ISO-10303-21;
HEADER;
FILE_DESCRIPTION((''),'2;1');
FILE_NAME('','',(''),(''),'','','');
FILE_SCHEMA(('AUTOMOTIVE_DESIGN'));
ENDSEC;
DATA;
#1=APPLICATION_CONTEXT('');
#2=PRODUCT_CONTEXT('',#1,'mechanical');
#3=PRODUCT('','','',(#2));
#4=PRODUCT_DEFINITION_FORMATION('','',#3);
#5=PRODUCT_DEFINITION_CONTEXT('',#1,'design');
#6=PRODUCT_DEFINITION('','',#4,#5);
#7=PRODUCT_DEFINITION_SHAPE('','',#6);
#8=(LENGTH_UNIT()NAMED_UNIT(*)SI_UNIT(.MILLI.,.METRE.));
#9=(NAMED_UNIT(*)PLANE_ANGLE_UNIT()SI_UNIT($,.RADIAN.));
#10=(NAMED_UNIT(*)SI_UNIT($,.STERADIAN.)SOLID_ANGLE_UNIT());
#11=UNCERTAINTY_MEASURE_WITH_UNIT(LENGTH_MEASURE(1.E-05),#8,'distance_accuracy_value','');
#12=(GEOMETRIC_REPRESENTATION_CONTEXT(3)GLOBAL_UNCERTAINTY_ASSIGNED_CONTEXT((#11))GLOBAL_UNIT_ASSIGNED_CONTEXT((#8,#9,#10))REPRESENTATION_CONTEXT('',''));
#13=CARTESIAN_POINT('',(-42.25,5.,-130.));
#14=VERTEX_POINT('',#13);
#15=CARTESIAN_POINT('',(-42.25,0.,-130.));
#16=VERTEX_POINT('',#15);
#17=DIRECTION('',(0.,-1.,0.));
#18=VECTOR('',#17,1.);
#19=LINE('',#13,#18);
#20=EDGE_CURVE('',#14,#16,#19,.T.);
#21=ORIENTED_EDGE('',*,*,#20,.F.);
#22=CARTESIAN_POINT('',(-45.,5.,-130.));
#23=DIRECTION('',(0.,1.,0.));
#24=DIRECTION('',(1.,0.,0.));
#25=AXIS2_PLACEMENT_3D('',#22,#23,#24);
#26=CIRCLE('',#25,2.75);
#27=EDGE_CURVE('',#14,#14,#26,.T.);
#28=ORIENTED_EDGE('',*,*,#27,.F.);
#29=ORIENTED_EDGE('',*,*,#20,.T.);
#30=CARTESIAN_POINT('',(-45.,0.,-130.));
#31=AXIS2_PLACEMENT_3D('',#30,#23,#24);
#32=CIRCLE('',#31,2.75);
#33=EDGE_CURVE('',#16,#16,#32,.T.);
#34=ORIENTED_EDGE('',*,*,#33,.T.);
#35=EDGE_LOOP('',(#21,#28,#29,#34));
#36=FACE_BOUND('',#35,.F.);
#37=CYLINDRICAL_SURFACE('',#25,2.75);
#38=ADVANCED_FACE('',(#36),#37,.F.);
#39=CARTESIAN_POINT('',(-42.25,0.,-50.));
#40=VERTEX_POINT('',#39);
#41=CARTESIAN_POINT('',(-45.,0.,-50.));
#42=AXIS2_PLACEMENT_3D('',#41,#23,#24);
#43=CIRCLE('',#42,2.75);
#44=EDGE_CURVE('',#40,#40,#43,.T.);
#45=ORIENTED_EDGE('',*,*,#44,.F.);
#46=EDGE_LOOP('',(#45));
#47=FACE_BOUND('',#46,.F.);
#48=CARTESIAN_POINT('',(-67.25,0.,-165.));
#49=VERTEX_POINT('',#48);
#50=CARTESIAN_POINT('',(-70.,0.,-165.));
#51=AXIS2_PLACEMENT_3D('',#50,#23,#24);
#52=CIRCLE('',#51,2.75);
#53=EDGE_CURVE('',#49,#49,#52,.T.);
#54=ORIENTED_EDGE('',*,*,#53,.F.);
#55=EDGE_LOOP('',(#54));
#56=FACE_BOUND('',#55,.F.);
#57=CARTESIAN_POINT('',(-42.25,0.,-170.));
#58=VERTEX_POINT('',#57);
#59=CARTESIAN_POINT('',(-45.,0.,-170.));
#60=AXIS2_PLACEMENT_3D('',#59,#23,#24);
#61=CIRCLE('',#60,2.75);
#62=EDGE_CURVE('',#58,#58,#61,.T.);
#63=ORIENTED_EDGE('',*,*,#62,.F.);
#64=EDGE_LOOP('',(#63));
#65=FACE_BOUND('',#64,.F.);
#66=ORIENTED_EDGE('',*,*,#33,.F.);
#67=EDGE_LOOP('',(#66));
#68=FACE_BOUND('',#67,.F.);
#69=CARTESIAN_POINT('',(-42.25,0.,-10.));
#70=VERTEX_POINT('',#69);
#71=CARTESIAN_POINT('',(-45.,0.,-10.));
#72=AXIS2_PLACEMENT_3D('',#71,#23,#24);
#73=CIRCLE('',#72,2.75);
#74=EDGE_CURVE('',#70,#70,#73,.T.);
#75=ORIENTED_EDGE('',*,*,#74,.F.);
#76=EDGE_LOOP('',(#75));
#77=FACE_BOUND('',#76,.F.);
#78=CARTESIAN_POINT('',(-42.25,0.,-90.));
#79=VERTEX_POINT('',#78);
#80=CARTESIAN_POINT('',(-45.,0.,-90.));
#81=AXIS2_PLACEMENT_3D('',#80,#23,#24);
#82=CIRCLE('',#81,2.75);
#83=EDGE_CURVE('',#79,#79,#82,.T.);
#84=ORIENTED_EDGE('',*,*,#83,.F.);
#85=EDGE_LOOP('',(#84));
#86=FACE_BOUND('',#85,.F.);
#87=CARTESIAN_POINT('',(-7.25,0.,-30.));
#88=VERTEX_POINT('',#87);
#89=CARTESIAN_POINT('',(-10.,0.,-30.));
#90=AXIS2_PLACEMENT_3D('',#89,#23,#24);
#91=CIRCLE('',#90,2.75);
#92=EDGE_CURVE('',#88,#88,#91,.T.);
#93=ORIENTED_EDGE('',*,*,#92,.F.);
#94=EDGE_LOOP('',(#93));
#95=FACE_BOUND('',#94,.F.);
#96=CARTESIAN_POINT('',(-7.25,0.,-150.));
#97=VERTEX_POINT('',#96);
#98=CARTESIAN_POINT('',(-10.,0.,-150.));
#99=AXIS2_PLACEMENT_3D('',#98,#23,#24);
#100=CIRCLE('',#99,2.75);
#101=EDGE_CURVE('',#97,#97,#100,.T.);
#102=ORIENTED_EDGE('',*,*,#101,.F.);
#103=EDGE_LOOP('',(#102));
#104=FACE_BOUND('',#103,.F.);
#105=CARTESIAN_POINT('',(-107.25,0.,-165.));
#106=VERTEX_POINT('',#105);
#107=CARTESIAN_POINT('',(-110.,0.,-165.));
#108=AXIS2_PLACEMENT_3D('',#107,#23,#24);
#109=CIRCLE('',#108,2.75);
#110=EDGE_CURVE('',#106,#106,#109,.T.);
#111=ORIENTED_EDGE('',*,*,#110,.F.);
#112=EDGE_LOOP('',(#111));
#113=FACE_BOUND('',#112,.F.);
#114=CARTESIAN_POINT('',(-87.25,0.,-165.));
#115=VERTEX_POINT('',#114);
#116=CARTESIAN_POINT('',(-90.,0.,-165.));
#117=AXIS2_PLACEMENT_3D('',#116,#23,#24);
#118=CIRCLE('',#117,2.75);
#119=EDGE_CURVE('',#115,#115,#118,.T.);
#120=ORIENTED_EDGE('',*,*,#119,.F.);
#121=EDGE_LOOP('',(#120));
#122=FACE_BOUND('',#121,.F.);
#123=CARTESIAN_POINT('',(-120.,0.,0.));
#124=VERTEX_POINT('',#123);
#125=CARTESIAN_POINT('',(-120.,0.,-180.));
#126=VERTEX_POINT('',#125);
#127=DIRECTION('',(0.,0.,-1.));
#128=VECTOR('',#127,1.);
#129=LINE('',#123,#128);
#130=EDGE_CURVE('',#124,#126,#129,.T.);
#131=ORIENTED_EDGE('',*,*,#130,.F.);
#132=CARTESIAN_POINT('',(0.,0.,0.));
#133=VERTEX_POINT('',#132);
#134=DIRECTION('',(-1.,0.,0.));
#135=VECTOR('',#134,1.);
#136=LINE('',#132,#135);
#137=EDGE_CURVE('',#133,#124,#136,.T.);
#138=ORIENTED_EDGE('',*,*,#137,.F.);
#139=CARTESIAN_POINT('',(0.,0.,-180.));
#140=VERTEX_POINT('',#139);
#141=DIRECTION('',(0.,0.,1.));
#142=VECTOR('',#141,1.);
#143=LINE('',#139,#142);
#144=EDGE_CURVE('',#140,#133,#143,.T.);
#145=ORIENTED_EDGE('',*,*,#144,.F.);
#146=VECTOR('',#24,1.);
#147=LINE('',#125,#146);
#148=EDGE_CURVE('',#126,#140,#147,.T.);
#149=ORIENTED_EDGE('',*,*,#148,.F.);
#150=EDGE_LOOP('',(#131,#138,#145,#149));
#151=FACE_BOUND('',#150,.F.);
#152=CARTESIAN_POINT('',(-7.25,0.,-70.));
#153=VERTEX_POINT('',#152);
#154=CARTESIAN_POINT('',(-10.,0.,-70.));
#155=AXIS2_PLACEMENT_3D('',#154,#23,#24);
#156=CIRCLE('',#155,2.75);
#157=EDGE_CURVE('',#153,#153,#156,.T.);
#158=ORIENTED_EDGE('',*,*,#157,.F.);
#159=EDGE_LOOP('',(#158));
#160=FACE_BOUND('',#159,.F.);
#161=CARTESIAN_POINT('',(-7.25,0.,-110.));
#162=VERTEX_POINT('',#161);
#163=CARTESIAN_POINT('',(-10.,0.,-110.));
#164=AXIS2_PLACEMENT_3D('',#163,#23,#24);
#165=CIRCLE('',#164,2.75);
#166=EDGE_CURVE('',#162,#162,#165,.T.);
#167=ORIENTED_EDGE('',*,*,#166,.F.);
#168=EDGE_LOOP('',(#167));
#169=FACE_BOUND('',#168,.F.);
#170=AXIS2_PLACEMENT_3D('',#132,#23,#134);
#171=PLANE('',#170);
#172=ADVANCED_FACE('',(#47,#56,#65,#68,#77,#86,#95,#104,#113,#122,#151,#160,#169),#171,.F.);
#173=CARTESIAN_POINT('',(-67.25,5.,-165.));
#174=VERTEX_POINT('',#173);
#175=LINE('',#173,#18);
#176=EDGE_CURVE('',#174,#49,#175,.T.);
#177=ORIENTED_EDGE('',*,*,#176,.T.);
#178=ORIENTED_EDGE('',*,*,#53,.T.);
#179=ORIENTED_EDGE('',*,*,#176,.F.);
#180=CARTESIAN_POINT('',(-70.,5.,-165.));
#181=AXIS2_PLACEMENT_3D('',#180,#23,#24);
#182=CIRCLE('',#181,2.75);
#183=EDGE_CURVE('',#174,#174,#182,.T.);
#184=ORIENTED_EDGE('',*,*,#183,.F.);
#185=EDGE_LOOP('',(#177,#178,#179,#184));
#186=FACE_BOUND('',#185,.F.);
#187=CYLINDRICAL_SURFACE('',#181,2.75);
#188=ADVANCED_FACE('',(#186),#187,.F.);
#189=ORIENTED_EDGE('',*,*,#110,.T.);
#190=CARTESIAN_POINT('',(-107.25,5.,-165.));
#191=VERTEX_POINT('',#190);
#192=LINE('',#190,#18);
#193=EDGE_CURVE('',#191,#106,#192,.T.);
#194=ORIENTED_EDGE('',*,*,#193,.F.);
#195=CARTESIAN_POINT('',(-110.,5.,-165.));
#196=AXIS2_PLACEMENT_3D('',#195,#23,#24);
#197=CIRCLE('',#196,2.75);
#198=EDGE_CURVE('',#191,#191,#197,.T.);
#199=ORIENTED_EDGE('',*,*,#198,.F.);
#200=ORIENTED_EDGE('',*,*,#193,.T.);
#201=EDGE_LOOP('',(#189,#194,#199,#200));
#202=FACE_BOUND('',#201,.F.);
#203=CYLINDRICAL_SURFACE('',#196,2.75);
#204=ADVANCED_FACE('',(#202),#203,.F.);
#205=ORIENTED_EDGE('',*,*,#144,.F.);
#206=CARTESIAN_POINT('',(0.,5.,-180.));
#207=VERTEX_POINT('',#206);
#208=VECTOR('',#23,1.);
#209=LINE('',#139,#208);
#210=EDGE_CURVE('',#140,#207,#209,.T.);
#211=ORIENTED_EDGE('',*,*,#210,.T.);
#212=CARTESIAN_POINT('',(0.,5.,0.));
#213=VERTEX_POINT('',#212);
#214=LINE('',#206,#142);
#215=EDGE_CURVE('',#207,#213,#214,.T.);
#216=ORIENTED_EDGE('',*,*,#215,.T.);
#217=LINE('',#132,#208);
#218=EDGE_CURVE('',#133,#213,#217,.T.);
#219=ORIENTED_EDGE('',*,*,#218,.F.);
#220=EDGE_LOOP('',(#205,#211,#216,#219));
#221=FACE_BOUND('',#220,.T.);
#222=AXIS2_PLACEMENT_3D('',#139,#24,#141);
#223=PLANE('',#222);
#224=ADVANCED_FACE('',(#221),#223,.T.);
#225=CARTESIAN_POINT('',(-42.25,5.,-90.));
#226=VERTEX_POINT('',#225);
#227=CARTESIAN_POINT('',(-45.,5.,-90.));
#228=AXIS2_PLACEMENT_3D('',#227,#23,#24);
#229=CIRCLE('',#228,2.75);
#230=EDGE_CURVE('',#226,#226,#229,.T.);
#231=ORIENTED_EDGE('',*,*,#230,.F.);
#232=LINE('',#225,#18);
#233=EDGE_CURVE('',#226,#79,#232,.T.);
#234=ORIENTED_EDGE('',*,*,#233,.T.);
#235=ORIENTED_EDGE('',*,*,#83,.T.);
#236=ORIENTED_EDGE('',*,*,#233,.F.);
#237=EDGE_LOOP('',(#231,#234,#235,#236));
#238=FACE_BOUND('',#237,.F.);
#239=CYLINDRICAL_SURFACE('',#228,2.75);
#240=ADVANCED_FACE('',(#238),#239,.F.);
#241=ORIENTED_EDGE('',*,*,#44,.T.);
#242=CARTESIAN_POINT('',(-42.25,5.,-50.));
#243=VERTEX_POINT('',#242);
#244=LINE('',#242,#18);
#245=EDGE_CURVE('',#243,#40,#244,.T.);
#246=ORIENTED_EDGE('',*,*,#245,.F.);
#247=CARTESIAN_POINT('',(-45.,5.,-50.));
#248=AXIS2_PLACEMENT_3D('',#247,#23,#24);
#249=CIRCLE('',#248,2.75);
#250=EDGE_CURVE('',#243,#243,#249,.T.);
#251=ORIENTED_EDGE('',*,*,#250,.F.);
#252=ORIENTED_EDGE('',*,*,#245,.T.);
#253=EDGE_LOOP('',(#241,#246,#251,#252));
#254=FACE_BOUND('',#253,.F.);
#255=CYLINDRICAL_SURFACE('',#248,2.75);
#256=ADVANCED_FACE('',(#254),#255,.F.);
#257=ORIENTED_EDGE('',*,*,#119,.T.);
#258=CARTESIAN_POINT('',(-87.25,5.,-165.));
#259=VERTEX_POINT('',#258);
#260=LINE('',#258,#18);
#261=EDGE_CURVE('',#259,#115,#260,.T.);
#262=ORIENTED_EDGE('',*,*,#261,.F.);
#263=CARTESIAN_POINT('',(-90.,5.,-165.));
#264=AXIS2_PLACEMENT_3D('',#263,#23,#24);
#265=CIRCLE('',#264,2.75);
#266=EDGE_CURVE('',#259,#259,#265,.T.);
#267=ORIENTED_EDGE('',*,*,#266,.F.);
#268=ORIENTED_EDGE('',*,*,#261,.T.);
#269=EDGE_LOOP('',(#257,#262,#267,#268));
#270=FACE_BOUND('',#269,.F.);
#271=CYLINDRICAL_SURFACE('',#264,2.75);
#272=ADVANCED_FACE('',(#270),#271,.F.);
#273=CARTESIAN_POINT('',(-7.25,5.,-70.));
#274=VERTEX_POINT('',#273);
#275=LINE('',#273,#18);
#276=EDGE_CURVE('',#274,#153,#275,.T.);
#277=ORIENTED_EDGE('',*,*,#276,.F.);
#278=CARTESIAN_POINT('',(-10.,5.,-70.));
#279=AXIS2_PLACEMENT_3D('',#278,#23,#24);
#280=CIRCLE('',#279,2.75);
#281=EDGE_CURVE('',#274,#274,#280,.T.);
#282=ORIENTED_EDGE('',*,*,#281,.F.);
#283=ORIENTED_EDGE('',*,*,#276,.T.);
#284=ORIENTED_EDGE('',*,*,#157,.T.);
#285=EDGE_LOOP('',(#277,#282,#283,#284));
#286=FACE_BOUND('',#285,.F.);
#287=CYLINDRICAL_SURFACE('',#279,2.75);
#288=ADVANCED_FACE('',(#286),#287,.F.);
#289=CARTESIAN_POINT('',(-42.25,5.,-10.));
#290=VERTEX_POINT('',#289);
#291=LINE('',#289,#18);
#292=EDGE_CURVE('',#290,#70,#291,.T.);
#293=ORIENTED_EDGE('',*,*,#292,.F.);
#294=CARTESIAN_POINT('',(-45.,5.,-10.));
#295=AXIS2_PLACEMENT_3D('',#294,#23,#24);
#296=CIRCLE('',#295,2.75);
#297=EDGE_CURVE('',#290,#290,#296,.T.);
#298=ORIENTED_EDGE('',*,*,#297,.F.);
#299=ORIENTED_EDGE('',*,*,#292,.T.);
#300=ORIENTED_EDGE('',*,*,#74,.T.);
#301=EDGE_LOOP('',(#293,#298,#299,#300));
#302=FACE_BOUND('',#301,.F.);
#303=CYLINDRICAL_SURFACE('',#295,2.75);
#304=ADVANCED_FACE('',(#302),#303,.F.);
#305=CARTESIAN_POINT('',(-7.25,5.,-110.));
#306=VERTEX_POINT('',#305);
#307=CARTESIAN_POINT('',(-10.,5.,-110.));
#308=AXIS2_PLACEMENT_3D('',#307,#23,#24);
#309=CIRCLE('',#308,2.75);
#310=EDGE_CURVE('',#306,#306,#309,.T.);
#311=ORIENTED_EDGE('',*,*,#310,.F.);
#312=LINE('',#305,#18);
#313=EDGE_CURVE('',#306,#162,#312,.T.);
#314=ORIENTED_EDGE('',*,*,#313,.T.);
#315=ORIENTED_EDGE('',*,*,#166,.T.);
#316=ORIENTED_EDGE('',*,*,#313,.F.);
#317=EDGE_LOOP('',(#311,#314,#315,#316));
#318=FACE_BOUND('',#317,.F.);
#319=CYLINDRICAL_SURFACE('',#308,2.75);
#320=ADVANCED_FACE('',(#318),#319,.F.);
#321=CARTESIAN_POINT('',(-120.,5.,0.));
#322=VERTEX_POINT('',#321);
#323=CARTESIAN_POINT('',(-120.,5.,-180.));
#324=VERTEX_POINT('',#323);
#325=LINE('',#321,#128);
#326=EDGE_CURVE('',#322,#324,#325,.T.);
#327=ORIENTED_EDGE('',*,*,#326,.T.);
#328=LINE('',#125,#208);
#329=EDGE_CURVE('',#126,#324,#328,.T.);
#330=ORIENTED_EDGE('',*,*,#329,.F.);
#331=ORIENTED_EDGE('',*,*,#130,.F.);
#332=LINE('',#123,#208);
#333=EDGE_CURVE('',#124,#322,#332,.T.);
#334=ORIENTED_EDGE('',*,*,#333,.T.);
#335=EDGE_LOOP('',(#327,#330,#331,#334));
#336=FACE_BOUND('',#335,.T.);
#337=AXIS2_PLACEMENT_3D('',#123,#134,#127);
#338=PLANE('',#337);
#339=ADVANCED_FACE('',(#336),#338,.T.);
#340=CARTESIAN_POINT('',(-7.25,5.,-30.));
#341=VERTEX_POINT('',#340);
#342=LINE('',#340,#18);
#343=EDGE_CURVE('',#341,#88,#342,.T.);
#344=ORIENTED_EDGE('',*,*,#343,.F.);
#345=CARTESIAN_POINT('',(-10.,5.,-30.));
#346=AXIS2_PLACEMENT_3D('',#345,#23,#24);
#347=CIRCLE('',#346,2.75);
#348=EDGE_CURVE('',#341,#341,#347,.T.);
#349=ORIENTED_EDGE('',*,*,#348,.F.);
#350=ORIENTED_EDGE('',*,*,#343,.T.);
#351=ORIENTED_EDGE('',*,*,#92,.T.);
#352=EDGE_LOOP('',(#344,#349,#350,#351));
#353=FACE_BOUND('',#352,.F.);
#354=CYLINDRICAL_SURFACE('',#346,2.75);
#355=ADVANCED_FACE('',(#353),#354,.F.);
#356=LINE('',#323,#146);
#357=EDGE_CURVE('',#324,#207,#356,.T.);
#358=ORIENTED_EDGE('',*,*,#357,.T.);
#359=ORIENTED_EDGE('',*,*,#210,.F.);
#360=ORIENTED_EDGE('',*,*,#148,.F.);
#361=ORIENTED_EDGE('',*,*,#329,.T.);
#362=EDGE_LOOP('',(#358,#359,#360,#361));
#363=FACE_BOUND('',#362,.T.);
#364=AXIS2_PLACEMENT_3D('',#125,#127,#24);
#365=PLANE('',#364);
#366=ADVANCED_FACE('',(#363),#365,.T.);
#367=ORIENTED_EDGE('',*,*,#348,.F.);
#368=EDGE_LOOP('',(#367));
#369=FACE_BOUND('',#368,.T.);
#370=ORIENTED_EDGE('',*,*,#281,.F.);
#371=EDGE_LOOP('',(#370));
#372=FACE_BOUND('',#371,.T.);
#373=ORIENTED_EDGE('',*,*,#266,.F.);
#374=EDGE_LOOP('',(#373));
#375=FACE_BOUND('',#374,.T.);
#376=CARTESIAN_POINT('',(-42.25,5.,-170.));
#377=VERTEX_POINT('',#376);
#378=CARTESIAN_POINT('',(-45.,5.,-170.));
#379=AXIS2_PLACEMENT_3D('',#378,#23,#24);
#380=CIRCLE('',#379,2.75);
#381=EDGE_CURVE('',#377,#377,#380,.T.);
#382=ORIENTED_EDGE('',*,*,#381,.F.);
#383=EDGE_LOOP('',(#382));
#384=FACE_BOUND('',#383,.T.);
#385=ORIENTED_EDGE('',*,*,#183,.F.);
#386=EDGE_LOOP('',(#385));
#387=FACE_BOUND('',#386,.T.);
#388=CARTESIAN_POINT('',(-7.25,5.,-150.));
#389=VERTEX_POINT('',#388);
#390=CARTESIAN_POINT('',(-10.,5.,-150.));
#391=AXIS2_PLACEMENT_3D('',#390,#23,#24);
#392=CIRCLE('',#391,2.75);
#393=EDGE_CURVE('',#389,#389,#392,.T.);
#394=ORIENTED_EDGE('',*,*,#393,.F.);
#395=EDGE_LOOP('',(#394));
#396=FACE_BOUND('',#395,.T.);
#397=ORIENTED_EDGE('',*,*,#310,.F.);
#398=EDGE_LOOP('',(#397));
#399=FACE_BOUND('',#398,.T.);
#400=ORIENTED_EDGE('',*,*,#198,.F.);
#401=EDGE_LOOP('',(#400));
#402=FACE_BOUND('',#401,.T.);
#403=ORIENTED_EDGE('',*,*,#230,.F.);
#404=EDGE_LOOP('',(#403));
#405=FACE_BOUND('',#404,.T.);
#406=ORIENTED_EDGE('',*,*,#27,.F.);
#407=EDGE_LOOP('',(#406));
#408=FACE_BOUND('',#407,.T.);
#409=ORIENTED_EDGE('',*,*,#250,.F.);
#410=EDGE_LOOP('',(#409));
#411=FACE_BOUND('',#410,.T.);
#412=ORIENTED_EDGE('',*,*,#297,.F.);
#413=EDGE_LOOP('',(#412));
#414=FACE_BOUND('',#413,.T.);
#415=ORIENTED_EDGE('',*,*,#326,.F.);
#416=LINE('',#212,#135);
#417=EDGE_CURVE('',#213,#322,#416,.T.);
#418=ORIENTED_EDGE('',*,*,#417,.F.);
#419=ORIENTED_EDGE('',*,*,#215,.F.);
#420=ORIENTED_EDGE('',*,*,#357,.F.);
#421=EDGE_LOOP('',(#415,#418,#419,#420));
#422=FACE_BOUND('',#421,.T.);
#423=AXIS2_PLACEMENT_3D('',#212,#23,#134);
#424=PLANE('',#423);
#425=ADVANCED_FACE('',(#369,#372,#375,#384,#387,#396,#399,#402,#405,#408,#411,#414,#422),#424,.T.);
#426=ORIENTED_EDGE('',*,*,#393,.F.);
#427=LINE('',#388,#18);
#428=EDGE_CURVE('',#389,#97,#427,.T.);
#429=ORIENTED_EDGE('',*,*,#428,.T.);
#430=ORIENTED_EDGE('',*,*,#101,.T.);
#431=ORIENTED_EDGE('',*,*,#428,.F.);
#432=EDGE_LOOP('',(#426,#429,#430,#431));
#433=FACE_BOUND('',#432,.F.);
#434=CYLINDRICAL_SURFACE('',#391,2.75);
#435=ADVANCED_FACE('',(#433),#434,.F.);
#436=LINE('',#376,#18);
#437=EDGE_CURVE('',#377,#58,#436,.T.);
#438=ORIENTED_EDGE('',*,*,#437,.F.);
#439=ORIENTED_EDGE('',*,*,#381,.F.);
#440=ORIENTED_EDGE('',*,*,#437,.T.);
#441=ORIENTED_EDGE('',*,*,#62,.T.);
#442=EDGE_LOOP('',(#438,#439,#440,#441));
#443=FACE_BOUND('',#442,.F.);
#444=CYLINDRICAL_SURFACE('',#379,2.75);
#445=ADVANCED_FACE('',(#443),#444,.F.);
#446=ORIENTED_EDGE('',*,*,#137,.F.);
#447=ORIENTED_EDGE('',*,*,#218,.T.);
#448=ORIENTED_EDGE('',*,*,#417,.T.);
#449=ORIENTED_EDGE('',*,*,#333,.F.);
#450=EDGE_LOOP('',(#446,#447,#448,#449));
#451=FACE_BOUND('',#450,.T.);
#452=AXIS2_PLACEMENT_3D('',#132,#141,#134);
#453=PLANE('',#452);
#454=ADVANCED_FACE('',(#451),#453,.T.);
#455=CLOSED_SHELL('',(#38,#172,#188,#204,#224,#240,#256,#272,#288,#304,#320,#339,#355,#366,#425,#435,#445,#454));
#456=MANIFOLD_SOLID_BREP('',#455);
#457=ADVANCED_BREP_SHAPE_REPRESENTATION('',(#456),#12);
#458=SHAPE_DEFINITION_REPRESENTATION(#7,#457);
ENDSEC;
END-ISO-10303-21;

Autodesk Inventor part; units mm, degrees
ref_plane "YZ Plane" through (0, 0, 0) normal (1, 0, 0) x (0, 1, 0)
ref_plane "XZ Plane" through (0, 0, 0) normal (0, 1, 0) x (-1, 0, 0)
ref_plane "XY Plane" through (0, 0, 0) normal (0, 0, 1) x (1, 0, 0)
sketch "Sketch1" plane through (0, 0, 0) normal (0, 1, 0) x (-1, 0, 0)
  line L0 (0, 0) -> (120, 0)
  line L1 (120, 0) -> (120, -180)
  line L2 (120, -180) -> (0, -180)
  line L3 (0, -180) -> (0, 0)
  dimension "d0" = 120
  dimension "d1" = 180
extrude "Extrusion1" add sketch "Sketch1" along normal blind 5
sketch "Sketch2" plane through (0, 5, 0) normal (0, 1, 0) x (1, 0, 0)
  circle A0 centre (-45, 10) radius 2.75
  line L0 (-120, 0) -> (0, 0) projected
  line L1 (0, 0) -> (0, 180) projected
  circle A1 centre (-45, 50) radius 2.75
  circle A2 centre (-45, 90) radius 2.75
  circle A3 centre (-45, 130) radius 2.75
  circle A4 centre (-45, 170) radius 2.75
  circle A5 centre (-10, 30) radius 2.75
  circle A6 centre (-10, 70) radius 2.75
  circle A7 centre (-10, 110) radius 2.75
  circle A8 centre (-10, 150) radius 2.75
  dimension "d4" = 5.5
  dimension "d5" = 10
  dimension "d8" = 40
  dimension "d13" = 45
  dimension "d14" = 5.5
  dimension "d15" = 10
  dimension "d16" = 180
  dimension "d17" = 30
  dimension "d20" = 40
extrude "Extrusion2" cut sketch "Sketch2" against normal blind 5
sketch "Sketch3" plane through (0, 5, 0) normal (0, 1, 0) x (1, 0, 0)
  circle A0 centre (-110, 165) radius 2.75
  line L0 (0, 180) -> (-120, 180) projected
  circle A1 centre (-90, 165) radius 2.75
  circle A2 centre (-70, 165) radius 2.75
  line L1 (-120, 180) -> (-120, 0) projected
  point P0 (0, 0)
  dimension "d27" = 5.5
  dimension "d28" = 15
  dimension "d31" = 20
  dimension "d38" = 10
extrude "Extrusion3" cut sketch "Sketch3" against normal blind 5
properties part number "GanrtyPlatev2"
